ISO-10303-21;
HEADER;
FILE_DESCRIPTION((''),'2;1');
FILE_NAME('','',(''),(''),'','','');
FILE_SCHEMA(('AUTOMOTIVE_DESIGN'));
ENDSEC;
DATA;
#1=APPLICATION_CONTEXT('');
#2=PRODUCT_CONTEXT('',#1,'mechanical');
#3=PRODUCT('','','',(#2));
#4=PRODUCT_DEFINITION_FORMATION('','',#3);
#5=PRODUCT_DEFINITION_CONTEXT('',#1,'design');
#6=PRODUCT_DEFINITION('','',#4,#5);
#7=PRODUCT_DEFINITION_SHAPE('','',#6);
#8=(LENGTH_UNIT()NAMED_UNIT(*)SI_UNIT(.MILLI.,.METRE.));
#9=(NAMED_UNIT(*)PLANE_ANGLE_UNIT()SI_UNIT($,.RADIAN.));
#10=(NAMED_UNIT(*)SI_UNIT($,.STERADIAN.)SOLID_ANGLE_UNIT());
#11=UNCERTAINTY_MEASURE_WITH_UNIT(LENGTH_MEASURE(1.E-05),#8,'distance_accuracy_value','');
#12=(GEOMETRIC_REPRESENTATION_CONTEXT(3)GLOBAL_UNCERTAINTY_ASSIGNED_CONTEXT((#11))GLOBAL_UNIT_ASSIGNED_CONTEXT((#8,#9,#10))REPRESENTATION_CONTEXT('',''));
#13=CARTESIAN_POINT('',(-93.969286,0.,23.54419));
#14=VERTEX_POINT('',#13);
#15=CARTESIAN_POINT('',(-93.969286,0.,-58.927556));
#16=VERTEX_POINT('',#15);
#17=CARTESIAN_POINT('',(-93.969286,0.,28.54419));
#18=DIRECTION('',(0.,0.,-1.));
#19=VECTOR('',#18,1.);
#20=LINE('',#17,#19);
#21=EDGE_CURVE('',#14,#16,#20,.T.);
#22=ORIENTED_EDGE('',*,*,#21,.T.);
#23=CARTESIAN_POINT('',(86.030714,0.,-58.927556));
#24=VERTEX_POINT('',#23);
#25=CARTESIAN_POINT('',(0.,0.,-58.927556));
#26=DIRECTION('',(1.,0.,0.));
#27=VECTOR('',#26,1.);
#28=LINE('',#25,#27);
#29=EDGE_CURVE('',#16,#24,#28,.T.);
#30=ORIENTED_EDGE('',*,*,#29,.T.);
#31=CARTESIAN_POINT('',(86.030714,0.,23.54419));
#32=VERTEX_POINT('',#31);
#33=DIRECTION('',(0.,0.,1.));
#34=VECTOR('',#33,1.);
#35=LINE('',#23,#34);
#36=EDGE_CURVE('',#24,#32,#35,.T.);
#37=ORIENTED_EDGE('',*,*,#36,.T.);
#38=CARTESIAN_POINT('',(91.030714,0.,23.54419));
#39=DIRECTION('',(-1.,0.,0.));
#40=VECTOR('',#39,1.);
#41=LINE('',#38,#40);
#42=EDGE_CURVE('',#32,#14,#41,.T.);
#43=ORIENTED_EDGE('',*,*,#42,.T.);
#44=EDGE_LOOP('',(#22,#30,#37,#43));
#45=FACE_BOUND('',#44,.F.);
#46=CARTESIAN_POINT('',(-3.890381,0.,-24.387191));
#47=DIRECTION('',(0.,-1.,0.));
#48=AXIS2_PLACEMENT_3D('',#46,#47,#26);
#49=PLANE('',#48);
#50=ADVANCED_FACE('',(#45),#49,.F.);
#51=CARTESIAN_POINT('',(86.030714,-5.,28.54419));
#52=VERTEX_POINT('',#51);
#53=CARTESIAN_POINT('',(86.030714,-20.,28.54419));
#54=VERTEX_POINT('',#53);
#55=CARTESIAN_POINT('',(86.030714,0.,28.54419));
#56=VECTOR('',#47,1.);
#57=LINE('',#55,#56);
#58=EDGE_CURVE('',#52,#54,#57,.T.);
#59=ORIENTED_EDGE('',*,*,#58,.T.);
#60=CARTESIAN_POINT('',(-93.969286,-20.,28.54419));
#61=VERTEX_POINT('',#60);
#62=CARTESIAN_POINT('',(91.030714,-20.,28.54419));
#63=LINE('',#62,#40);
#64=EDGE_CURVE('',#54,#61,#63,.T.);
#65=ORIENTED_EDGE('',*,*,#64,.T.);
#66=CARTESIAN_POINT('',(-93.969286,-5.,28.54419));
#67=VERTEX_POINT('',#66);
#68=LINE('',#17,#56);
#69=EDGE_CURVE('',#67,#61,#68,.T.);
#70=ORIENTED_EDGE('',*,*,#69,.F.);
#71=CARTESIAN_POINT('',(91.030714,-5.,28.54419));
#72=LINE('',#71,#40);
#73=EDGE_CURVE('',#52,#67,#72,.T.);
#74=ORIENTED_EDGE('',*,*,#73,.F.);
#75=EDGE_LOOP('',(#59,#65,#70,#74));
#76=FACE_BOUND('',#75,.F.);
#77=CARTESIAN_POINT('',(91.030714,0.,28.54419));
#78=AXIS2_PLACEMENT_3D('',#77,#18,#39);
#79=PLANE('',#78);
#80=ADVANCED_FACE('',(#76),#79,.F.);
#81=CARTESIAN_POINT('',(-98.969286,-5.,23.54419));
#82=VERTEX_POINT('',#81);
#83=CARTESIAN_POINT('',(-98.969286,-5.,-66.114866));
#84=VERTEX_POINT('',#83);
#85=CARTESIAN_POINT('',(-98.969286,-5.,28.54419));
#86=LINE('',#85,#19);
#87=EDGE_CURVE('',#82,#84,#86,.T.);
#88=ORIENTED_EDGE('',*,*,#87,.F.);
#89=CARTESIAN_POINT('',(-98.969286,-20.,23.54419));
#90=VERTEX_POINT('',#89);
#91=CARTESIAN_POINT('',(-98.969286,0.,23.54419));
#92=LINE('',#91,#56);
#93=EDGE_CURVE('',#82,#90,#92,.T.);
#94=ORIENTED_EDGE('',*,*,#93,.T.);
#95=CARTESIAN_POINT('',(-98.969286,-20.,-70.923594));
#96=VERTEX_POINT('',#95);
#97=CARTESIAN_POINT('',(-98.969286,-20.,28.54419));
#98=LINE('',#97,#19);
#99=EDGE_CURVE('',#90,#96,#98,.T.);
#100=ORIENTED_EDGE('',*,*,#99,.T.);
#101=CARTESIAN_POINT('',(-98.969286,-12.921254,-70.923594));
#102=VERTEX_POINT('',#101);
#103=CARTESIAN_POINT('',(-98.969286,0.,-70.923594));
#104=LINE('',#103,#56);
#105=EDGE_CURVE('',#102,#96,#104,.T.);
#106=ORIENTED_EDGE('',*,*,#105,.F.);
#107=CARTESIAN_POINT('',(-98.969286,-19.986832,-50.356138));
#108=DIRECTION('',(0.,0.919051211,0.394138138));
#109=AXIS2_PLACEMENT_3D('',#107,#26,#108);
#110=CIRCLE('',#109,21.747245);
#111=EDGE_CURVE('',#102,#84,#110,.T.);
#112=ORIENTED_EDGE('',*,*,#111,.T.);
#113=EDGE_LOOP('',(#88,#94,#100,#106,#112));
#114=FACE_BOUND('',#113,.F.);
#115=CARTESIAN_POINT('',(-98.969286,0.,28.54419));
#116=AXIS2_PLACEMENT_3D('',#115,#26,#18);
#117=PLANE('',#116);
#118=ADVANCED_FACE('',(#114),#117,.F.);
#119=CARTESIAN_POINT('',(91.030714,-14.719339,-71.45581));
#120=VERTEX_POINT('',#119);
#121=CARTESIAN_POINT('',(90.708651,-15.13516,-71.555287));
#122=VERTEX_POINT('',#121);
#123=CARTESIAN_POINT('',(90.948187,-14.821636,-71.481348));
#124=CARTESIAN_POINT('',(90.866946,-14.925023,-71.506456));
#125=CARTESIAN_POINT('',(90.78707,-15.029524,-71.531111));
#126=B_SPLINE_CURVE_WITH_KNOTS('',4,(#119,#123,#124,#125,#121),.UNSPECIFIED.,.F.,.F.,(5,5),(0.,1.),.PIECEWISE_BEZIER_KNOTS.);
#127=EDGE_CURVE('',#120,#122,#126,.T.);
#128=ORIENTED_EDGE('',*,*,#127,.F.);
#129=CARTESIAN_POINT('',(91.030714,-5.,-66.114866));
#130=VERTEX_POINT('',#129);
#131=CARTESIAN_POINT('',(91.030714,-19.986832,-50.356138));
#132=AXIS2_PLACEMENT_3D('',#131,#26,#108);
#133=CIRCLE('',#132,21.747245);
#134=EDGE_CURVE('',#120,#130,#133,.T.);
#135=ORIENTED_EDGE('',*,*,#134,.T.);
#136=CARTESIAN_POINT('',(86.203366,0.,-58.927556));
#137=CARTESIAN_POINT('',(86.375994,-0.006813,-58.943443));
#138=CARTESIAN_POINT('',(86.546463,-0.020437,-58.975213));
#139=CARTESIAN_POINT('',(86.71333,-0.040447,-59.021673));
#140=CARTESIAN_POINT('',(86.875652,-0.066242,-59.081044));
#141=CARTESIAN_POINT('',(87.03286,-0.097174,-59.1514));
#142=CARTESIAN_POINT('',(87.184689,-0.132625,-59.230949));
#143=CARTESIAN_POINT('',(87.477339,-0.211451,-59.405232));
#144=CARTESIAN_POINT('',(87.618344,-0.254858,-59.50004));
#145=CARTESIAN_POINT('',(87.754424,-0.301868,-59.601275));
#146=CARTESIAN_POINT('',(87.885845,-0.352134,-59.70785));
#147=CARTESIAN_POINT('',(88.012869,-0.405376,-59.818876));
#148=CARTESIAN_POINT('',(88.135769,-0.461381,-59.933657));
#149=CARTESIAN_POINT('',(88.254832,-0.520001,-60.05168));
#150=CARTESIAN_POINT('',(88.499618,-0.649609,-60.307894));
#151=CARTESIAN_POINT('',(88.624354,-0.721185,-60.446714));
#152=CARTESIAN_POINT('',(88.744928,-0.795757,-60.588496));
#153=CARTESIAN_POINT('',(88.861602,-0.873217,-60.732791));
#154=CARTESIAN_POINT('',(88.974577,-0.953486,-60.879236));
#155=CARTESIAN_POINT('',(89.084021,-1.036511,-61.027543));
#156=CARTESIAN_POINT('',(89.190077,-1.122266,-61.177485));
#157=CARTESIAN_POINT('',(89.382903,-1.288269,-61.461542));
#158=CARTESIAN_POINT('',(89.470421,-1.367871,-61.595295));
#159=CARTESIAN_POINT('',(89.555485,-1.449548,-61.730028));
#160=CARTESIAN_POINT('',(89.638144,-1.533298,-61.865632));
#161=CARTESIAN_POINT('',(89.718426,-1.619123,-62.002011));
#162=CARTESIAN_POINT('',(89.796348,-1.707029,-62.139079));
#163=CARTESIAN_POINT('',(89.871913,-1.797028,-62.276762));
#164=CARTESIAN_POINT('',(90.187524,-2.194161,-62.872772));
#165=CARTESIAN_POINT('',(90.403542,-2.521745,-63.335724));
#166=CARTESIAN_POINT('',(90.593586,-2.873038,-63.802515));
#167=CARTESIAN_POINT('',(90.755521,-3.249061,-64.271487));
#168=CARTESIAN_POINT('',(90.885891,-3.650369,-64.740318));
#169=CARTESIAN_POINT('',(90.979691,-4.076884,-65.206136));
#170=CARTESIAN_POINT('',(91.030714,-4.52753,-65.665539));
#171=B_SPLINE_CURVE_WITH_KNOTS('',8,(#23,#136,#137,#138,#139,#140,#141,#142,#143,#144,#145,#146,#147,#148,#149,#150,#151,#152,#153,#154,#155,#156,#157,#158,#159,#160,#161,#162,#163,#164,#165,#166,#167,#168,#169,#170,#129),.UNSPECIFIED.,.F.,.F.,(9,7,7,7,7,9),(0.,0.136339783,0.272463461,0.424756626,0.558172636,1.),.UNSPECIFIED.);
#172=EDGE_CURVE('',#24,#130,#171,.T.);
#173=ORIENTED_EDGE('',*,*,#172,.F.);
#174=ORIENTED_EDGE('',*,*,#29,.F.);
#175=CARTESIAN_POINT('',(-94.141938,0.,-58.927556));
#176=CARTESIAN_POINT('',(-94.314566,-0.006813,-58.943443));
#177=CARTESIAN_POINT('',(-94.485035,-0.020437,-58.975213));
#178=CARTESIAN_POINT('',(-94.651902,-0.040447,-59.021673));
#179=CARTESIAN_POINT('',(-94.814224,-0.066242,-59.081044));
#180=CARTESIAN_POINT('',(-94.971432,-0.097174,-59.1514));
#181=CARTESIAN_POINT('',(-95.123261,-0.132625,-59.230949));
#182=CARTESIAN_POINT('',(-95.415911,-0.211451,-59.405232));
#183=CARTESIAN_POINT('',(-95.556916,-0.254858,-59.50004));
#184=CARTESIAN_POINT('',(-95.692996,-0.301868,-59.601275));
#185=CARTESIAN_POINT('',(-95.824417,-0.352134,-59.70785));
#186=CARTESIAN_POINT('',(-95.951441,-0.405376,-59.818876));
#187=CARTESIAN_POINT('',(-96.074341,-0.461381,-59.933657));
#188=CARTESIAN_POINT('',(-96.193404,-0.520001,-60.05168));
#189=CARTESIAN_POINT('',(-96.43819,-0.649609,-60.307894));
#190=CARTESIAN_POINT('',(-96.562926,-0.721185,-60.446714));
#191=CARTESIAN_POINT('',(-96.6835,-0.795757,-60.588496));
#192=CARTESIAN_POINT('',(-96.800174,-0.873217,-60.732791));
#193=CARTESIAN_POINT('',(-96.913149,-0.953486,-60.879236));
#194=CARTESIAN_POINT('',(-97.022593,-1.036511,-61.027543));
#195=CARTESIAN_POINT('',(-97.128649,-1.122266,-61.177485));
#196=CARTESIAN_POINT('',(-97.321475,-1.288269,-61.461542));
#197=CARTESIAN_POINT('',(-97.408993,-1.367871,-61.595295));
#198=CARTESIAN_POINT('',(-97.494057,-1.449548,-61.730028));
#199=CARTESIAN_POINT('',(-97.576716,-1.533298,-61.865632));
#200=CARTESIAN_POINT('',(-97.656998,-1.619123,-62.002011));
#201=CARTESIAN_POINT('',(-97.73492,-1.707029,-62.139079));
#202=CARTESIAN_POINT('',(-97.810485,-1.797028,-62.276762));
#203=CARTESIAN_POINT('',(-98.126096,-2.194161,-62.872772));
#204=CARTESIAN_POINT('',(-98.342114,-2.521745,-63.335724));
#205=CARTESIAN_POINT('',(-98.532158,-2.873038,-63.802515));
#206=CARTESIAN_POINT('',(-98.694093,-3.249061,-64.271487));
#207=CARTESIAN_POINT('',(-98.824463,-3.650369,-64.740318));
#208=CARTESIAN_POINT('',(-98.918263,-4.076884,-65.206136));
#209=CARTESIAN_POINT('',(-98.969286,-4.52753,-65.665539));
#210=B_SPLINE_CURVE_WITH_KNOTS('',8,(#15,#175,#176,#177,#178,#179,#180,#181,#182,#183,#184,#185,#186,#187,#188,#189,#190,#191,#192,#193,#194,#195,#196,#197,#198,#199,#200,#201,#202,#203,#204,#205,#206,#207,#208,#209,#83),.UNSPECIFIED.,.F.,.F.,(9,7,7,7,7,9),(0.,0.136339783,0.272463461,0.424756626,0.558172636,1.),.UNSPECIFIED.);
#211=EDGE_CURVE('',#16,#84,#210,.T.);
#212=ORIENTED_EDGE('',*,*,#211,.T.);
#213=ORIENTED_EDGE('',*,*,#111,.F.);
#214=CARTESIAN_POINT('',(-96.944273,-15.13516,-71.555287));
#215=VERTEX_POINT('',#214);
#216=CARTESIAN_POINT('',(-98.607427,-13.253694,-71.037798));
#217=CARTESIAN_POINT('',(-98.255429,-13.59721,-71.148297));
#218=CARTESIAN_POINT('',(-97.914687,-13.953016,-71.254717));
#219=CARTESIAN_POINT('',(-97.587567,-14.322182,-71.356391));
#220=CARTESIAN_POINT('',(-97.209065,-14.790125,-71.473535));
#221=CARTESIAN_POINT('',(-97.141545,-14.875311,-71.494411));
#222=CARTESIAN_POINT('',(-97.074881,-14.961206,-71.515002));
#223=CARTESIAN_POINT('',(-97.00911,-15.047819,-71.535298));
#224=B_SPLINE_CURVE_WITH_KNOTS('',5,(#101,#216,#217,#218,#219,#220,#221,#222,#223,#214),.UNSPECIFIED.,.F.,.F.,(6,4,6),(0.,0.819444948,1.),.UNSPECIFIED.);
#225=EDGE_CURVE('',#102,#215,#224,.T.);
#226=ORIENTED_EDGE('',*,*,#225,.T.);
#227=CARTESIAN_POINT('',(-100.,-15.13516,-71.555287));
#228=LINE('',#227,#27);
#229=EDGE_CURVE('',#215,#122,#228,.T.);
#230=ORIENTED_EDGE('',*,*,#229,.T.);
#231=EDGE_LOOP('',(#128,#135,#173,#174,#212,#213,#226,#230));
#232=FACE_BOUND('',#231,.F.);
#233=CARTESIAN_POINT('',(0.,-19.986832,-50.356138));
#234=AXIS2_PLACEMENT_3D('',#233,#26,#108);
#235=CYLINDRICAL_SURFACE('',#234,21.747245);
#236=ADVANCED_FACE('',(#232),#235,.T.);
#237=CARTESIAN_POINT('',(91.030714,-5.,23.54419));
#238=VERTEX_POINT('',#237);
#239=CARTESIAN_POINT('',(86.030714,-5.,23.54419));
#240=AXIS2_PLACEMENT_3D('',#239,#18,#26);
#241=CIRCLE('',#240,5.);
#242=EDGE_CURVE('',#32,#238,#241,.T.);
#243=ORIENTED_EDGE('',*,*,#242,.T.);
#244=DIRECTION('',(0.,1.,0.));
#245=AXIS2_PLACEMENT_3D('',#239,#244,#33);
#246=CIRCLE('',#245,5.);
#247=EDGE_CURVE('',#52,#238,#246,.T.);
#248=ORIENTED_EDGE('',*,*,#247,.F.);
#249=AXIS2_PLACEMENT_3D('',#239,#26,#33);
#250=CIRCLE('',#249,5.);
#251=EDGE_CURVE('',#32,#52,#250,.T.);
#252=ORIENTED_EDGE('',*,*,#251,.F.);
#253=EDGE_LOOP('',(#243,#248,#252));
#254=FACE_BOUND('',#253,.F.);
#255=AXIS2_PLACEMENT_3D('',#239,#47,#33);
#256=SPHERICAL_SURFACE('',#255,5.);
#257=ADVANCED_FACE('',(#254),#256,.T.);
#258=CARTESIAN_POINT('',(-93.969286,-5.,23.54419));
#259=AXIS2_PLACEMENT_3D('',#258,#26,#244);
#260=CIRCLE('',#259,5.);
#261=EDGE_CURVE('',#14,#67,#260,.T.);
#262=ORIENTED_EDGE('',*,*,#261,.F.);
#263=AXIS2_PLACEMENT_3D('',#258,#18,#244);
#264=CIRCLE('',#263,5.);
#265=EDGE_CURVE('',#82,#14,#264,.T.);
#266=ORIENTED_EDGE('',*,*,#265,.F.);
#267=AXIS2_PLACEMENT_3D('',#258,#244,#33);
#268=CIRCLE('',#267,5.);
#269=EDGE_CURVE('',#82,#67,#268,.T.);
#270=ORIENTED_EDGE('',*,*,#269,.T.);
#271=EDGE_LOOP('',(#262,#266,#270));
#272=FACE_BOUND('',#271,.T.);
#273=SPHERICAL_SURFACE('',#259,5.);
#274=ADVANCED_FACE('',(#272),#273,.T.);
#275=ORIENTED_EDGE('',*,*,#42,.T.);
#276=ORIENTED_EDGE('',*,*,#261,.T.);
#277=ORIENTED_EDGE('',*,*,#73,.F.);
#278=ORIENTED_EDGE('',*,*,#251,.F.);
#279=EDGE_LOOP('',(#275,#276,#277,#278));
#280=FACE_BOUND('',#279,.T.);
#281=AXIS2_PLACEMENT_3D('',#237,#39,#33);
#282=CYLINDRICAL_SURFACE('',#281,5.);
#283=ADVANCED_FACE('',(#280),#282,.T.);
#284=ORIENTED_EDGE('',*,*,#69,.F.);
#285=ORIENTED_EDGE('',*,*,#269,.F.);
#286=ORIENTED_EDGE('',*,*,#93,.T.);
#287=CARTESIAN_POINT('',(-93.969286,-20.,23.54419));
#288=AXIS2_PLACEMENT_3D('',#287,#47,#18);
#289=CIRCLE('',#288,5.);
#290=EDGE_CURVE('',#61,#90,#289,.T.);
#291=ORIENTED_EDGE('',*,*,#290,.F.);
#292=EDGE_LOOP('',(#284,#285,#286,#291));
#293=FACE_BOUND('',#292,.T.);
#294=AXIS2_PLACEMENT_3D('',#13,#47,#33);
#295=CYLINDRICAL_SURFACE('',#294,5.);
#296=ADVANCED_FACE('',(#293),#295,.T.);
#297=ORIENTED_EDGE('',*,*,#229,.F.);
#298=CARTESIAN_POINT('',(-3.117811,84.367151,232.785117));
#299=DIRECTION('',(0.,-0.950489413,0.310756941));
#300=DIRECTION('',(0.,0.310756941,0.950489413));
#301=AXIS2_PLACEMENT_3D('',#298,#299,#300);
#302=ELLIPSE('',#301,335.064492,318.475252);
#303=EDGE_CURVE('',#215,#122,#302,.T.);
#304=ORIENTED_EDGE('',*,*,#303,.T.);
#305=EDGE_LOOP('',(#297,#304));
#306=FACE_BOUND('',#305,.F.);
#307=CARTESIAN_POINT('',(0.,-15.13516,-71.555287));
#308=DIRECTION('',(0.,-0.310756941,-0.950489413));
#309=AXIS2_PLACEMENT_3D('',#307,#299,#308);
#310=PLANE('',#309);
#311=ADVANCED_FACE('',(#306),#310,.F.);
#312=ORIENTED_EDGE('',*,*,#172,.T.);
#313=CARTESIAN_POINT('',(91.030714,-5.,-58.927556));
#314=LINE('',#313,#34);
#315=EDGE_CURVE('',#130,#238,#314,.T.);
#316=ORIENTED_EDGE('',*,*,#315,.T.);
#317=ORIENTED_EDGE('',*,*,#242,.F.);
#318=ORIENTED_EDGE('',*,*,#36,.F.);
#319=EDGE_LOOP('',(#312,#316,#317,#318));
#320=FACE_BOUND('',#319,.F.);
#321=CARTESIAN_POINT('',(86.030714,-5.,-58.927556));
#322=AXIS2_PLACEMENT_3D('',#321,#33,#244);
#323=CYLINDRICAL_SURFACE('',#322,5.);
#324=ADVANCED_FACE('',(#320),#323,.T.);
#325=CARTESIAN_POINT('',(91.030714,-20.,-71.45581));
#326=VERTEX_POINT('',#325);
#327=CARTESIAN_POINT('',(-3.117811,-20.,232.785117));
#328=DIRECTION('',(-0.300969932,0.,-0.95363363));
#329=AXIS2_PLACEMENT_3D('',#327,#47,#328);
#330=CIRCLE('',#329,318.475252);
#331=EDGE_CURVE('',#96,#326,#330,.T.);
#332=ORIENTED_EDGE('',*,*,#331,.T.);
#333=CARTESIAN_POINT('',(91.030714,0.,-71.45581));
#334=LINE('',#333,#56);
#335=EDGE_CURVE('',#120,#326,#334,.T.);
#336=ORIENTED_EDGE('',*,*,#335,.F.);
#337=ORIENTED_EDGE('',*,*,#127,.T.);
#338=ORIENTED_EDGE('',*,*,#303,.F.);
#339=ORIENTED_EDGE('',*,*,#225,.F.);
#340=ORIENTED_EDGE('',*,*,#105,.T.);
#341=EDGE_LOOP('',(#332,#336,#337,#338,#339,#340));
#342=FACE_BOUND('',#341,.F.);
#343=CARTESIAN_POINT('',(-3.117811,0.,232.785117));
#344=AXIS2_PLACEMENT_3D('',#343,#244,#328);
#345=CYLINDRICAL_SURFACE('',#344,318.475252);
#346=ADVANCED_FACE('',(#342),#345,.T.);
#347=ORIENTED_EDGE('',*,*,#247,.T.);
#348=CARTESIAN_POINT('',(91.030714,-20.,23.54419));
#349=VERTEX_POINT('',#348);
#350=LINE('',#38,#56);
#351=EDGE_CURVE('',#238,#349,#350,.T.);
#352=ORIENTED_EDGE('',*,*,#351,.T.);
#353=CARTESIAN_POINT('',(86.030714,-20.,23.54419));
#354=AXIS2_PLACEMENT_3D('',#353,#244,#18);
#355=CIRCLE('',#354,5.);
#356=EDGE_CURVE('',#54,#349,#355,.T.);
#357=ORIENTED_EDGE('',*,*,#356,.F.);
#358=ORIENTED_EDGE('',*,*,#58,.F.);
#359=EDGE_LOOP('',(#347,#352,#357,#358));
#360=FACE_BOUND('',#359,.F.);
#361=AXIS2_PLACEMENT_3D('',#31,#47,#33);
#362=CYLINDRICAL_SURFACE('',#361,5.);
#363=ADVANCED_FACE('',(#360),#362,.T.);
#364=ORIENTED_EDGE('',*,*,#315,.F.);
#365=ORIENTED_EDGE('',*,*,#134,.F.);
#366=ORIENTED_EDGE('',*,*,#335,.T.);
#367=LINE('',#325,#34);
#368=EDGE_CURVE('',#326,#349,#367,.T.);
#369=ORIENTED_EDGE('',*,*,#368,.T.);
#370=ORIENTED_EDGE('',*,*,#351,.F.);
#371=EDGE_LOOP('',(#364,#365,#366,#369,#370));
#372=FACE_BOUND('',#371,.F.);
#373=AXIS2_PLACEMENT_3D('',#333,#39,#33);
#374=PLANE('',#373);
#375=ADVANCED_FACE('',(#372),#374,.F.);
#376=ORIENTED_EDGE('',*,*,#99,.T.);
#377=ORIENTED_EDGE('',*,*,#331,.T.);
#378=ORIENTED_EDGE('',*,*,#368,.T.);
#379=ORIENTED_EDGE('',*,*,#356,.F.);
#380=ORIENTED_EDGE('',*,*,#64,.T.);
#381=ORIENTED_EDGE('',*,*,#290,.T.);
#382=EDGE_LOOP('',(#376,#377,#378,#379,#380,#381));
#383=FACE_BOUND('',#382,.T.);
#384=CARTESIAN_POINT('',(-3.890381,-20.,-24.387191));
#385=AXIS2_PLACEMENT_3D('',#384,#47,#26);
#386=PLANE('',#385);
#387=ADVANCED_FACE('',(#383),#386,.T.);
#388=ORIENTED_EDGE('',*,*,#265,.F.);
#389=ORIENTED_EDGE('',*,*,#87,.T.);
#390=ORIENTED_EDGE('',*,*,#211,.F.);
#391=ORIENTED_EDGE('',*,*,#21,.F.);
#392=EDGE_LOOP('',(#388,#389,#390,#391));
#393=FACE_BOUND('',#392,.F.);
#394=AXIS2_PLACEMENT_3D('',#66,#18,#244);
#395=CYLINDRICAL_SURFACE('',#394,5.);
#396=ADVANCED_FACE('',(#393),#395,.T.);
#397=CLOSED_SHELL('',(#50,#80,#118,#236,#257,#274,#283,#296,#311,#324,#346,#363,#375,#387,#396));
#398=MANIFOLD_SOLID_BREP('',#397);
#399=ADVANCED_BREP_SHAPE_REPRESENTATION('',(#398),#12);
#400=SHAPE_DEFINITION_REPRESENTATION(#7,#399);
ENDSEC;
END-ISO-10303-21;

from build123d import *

# Parameters (mm, degrees)
F1_DEPTH = 20
F3_DEPTH = 100
F4_R     = 5


with BuildPart() as f1:
    # F0 (on Front) → F1 (new body)
    with BuildSketch(Plane.XZ):
        with BuildLine():
            Line((91.030714, 28.54419), (-98.969286, 28.54419))
            Line((-98.969286, 28.54419), (-98.969286, -70.923594))
            ThreePointArc((-98.969286, -70.923594), (-4.0099, -85.688886), (91.030714, -71.45581))
            Line((91.030714, -71.45581), (91.030714, 28.54419))
        make_face()
    extrude(amount=F1_DEPTH)

    # F2 (on Right) → F3 (cut, symmetric)
    with BuildSketch(Plane.YZ):
        with BuildLine():
            ThreePointArc((0, -41.784719), (-0.601025, -60.211753), (-15.13516, -71.555287))
            Line((-15.13516, -71.555287), (-19.817429, -85.876599))
            Line((-19.817429, -85.876599), (3.398273, -87.581709))
            Line((3.398273, -87.581709), (10.874517, -61.349276))
            Line((10.874517, -61.349276), (0, -41.784719))
        make_face()
    extrude(amount=F3_DEPTH, both=True, mode=Mode.SUBTRACT)

    # F4
    f4_edges = [f1.edges().sort_by_distance(p)[0] for p in [
        (91.030714, -10, 28.54419),
        (-3.969286, 0, 28.54419),
        (-98.969286, 0, -15.191684),
        (-98.969286, -10, 28.54419),
        (91.030714, 0, -15.191684),
    ]]
    fillet(f4_edges, radius=F4_R)


solid = f1.part
